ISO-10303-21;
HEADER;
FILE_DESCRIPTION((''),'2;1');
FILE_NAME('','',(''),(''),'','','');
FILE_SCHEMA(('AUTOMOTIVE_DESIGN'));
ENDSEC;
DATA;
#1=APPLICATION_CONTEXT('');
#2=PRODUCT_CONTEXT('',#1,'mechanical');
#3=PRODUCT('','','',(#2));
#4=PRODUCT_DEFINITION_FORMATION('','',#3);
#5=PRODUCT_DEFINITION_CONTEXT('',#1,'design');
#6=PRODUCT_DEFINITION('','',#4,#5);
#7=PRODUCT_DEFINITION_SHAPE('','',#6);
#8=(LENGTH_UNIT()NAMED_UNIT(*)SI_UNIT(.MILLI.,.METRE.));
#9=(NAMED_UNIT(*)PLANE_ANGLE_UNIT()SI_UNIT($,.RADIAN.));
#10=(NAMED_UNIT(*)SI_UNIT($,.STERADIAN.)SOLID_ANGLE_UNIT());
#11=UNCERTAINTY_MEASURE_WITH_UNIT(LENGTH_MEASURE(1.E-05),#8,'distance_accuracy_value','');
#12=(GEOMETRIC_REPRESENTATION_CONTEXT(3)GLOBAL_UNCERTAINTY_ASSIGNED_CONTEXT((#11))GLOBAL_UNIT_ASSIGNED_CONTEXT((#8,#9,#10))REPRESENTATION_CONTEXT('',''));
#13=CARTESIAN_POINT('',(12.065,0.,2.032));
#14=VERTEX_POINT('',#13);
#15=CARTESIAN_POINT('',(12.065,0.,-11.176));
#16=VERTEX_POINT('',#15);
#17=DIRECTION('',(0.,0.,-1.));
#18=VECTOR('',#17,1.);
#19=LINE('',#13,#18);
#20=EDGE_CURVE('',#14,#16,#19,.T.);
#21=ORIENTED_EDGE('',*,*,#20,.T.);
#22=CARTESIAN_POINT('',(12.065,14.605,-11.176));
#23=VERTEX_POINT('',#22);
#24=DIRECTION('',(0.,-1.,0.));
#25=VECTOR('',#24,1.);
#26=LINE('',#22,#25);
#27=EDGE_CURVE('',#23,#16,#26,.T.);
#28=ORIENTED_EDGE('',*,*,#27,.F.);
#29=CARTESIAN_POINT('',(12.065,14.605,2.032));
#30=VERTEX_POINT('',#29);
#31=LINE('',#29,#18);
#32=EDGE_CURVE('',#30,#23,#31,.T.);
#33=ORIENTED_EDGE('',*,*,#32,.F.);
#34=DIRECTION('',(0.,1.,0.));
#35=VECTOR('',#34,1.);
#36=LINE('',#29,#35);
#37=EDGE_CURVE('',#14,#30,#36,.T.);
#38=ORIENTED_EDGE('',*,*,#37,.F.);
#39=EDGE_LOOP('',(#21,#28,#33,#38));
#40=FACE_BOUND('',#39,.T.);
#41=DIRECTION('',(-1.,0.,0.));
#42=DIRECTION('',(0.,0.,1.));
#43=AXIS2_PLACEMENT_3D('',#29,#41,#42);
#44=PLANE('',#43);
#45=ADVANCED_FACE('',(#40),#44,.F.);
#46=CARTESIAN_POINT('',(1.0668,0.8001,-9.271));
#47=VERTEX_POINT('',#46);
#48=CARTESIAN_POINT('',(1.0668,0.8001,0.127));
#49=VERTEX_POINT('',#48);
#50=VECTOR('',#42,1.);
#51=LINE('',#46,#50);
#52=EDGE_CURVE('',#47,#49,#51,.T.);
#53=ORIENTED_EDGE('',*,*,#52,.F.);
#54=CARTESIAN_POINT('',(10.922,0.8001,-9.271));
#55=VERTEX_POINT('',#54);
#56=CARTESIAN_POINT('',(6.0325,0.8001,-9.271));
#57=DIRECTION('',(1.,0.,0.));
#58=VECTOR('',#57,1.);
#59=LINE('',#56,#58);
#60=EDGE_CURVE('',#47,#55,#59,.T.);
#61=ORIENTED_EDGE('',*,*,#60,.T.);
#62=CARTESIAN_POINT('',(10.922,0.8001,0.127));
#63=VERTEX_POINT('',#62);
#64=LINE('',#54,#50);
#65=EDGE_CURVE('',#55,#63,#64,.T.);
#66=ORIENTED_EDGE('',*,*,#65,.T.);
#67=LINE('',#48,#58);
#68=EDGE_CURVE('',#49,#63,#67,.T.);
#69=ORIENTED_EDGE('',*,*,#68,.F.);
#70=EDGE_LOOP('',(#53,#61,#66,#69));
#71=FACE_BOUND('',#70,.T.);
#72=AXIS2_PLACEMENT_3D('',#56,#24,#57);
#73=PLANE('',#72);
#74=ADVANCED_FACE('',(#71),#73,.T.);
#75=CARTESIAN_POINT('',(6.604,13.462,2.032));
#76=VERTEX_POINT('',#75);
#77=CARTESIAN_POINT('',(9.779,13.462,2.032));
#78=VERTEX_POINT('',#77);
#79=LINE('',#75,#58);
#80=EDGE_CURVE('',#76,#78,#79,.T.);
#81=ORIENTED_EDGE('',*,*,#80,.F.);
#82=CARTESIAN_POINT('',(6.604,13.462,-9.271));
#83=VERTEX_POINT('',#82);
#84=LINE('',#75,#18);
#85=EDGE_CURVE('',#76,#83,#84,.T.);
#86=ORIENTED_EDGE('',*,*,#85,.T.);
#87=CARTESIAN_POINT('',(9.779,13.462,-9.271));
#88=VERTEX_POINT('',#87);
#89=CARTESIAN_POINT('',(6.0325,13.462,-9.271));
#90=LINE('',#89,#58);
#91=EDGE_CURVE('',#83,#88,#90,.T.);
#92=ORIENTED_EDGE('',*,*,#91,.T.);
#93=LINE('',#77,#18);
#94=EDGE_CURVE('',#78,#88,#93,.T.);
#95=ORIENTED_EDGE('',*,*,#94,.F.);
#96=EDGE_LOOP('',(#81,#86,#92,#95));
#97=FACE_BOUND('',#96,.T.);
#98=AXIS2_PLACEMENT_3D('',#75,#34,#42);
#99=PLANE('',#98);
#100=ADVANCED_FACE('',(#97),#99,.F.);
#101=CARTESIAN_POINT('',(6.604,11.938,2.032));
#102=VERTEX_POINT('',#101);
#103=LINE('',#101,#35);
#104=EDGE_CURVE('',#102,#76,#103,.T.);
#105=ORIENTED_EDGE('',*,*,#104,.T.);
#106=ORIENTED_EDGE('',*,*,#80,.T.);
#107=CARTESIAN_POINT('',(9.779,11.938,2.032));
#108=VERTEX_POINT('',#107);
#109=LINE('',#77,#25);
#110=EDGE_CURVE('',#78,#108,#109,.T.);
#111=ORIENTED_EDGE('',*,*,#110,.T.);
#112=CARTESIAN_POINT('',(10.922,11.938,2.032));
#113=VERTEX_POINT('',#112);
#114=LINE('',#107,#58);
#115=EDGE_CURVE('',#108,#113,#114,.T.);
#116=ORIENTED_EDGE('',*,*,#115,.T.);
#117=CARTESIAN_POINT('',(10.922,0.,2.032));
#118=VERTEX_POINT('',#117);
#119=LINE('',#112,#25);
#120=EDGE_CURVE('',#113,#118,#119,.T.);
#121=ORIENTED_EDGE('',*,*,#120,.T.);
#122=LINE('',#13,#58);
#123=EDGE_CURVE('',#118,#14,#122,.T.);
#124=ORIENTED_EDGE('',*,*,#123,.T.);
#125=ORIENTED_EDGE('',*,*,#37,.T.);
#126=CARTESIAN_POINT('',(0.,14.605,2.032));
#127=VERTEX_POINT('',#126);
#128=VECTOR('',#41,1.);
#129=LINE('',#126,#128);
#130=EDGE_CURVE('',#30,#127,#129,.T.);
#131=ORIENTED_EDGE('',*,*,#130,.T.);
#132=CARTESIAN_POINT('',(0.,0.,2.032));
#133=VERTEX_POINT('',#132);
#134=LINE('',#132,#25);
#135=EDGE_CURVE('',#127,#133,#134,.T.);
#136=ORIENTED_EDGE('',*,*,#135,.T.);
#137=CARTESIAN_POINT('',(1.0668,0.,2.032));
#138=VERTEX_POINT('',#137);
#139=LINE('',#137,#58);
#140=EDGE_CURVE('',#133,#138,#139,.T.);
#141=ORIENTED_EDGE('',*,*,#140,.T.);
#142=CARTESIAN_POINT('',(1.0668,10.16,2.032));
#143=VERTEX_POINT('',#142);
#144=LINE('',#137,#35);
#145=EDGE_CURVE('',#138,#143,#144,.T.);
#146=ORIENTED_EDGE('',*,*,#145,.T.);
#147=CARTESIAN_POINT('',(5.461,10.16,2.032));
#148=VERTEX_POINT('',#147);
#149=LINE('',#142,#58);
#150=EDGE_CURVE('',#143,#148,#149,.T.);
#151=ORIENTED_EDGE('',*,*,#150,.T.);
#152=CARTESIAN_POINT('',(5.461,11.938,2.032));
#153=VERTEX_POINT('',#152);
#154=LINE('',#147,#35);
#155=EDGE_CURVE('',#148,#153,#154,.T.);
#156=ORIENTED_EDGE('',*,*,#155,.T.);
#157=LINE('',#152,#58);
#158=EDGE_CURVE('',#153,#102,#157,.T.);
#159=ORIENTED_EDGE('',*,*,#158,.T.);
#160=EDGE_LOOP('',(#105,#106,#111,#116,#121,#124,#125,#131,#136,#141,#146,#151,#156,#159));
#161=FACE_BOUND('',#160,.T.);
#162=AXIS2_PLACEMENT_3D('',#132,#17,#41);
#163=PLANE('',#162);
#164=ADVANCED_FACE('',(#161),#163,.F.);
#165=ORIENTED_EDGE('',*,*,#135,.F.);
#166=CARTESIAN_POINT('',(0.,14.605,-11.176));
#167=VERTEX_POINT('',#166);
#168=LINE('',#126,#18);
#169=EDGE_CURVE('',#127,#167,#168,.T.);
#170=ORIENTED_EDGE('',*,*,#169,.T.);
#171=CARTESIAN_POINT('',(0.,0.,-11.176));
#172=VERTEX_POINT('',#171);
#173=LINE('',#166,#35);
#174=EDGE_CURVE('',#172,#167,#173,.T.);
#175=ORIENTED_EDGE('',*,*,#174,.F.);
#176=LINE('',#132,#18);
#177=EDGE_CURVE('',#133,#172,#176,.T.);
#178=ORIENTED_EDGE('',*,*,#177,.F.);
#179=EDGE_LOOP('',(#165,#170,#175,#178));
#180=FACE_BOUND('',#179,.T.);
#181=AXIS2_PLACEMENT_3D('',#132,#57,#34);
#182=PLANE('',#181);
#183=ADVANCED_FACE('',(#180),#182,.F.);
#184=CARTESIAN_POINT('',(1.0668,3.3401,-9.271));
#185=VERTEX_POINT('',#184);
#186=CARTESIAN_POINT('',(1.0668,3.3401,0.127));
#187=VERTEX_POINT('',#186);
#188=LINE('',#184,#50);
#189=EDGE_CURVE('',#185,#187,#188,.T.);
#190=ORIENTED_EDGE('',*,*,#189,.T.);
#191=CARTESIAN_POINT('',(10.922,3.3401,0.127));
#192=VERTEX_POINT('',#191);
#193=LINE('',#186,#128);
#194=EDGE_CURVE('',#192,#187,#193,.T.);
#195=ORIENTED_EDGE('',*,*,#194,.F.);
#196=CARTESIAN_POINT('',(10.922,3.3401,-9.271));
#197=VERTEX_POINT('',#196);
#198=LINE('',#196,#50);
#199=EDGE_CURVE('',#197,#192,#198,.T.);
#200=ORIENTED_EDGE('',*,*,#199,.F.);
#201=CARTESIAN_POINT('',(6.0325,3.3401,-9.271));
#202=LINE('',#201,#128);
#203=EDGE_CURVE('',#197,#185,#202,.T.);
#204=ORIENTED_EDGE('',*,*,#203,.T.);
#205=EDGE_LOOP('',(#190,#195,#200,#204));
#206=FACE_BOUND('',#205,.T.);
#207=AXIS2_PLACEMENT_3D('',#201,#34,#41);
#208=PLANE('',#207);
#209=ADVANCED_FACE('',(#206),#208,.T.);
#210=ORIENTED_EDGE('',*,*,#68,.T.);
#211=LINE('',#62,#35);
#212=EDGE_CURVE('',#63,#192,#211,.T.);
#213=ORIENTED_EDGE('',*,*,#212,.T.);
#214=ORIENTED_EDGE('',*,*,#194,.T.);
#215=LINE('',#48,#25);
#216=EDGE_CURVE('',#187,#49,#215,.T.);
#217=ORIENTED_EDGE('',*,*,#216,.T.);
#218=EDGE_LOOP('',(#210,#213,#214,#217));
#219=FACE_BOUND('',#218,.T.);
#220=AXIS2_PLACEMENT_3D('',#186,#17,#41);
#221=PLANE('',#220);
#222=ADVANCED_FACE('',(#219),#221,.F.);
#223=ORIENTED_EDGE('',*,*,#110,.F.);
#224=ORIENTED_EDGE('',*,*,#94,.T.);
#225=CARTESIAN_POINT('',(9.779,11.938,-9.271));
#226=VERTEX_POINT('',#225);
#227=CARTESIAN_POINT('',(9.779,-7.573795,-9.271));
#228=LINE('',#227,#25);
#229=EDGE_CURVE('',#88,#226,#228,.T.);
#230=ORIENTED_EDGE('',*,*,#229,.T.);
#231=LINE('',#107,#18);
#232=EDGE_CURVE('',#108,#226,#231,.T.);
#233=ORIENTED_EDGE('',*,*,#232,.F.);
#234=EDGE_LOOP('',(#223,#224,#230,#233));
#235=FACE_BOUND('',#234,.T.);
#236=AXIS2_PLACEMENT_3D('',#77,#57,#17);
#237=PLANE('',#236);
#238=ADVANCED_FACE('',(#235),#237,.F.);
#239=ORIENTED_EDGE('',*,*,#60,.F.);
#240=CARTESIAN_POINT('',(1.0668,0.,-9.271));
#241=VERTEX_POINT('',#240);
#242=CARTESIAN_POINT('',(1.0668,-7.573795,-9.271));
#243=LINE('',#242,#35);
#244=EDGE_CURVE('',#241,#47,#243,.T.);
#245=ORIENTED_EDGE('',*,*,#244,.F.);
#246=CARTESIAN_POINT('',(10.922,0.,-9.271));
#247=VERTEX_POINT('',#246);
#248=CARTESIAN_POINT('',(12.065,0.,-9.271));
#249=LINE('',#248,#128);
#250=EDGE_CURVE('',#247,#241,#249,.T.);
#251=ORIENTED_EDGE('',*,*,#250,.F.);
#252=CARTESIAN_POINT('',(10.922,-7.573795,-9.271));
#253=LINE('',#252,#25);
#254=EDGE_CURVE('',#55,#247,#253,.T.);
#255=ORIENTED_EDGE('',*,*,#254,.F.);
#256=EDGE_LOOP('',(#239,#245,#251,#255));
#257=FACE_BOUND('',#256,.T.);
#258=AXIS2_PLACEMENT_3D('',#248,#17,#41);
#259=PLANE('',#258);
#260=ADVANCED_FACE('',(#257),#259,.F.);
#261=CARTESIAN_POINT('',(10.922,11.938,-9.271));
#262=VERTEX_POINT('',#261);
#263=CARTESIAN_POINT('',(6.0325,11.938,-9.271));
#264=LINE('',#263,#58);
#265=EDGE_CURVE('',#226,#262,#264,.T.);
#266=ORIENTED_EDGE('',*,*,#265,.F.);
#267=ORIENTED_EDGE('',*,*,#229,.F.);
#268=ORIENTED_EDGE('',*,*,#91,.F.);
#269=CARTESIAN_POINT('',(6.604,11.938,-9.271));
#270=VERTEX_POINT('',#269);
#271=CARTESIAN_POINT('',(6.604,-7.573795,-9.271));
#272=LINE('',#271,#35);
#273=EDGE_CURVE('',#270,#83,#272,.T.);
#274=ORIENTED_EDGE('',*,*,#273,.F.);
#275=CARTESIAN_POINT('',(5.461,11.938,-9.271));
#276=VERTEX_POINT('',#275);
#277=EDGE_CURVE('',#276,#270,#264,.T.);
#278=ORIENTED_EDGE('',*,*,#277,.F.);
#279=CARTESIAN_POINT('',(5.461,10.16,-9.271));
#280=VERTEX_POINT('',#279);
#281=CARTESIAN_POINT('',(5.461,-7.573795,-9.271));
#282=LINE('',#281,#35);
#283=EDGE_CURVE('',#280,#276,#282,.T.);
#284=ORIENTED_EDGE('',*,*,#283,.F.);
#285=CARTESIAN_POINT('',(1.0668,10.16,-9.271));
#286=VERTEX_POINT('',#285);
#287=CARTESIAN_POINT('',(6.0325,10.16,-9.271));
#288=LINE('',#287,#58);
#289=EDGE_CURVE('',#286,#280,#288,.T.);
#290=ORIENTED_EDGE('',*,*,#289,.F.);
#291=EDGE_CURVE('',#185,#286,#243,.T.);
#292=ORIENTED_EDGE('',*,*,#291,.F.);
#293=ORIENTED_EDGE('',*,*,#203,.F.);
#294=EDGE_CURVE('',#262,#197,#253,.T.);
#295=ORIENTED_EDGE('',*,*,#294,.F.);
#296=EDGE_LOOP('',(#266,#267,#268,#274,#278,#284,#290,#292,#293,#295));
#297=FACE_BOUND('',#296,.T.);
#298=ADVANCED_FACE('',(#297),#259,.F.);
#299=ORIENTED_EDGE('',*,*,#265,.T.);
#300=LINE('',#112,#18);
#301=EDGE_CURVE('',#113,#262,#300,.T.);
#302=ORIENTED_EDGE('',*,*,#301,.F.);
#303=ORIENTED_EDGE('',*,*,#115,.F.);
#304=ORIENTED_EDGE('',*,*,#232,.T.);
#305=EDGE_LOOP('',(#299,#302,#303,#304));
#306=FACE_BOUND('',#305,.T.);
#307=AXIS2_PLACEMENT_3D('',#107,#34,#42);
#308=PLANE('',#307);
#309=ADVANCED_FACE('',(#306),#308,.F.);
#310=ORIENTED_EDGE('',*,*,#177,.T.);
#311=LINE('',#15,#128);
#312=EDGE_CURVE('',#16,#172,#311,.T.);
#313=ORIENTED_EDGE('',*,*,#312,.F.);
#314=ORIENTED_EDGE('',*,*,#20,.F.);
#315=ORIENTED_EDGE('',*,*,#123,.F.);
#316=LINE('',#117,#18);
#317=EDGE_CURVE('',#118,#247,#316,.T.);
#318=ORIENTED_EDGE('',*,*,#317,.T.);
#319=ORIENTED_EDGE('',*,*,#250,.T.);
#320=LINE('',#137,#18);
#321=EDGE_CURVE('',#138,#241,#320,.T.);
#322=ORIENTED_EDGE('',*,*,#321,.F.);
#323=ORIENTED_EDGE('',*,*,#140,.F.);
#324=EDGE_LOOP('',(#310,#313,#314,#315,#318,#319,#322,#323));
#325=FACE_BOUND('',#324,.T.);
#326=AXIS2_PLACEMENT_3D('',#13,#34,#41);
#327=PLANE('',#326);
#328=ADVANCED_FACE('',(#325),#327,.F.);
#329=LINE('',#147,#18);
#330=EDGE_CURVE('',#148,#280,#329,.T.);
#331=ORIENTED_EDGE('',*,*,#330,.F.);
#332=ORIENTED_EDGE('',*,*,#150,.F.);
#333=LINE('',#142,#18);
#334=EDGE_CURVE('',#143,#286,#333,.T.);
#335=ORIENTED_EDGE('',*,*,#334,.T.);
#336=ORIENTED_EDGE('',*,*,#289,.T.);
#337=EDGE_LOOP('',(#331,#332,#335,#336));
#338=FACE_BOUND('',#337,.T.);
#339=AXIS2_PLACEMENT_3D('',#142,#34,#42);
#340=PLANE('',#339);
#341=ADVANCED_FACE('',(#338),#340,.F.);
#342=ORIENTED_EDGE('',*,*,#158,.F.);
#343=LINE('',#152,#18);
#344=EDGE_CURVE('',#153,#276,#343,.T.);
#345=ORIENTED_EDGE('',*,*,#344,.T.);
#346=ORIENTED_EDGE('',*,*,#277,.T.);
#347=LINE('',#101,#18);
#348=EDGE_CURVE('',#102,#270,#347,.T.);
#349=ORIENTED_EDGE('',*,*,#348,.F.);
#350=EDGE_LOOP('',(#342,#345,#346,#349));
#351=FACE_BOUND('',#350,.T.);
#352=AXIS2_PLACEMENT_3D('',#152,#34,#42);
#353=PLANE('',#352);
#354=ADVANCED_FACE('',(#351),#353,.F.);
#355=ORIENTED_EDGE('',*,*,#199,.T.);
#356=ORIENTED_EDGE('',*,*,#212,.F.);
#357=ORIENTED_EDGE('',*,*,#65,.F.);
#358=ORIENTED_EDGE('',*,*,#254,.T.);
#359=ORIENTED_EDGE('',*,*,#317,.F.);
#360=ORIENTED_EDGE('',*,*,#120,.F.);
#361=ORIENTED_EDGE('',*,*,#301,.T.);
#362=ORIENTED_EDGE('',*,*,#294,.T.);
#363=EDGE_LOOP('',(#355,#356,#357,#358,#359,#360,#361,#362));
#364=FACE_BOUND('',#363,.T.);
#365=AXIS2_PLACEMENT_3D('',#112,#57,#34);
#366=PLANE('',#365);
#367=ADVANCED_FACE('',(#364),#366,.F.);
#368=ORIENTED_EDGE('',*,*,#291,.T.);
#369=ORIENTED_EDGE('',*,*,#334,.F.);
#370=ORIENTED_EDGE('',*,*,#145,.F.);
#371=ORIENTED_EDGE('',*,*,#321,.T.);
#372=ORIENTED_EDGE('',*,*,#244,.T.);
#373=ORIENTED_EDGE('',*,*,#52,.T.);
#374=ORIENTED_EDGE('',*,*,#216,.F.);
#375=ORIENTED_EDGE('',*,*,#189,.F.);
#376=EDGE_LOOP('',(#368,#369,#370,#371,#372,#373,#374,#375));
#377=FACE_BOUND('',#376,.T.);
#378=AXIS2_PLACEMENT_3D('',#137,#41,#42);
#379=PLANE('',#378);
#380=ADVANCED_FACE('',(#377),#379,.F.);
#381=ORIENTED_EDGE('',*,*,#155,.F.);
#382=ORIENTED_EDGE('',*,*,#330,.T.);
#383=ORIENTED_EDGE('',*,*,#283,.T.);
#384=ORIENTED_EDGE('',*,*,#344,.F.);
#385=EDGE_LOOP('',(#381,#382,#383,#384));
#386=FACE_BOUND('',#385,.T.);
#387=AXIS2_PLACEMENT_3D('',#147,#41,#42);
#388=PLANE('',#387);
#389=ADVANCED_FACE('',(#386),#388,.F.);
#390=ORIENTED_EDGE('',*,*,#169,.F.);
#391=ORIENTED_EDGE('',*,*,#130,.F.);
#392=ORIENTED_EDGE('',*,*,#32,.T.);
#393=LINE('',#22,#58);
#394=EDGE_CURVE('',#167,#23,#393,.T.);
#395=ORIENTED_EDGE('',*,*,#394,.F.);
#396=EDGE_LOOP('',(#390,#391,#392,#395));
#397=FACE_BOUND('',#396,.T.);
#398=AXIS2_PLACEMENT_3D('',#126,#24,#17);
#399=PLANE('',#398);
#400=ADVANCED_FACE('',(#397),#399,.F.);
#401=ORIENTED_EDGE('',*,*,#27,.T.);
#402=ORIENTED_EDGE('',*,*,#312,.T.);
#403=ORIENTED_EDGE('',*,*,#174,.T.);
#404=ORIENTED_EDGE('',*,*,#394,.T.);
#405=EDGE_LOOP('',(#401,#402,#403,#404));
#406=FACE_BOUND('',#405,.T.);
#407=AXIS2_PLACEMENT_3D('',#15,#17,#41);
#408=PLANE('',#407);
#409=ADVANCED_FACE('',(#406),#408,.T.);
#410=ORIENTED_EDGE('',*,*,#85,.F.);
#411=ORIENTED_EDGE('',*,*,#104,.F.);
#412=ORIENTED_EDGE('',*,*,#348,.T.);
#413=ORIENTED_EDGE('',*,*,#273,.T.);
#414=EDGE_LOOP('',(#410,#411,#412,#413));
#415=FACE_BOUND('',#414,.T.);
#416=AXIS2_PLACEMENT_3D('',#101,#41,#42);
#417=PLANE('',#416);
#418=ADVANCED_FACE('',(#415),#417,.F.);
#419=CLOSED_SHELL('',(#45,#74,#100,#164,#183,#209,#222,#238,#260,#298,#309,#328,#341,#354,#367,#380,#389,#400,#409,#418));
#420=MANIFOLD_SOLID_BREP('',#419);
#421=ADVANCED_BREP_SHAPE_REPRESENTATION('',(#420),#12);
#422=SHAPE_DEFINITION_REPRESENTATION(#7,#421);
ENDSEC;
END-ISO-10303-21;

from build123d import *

# Parameters (mm, degrees)
EXTRUDE1_DEPTH = 2.032
SKETCH2_W      = 9.8552
SKETCH2_H      = 2.54
EXTRUDE3_DEPTH = 11.303
SKETCH3_W      = 9.8552
SKETCH3_H      = 2.54
EXTRUDE4_DEPTH = 1.905
SKETCH4_W      = 12.065
SKETCH4_H      = 14.605
EXTRUDE5_DEPTH = 1.905


with BuildPart() as part:
    # Sketch1 → Extrude1 (new body)
    with BuildSketch(Plane.XY):
        Polygon((0, 0), (0, 14.605), (12.065, 14.605), (12.065, 0), (10.922, 0), (10.922, 11.938), (9.779, 11.938), (9.779, 13.462), (6.604, 13.462), (6.604, 11.938), (5.461, 11.938), (5.461, 10.16), (1.0668, 10.16), (1.0668, 0), align=None)
    extrude(amount=EXTRUDE1_DEPTH)

    # Sketch2 → Extrude3 (add)
    with BuildSketch(Plane.XY.offset(2.032)):
        Polygon((0, 14.605), (0, 0), (1.0668, 0), (1.0668, 10.16), (5.461, 10.16), (5.461, 11.938), (6.604, 11.938), (6.604, 13.462), (9.779, 13.462), (9.779, 11.938), (10.922, 11.938), (10.922, 0), (12.065, 0), (12.065, 14.605), align=None)
        with Locations((5.9944, 2.0701)):
            Rectangle(SKETCH2_W, SKETCH2_H)
    extrude(amount=-EXTRUDE3_DEPTH)

    # Sketch3 → Extrude4 (cut)
    with BuildSketch(Plane.XY.offset(2.032)):
        with Locations((5.9944, 2.0701)):
            Rectangle(SKETCH3_W, SKETCH3_H)
    extrude(amount=-EXTRUDE4_DEPTH, mode=Mode.SUBTRACT)

    # Sketch4 → Extrude5 (add)
    with BuildSketch(Plane(origin=(0, 0, -9.271), x_dir=(-1, 0, 0), z_dir=(0, 0, -1))):
        with Locations((-6.0325, 7.3025)):
            Rectangle(SKETCH4_W, SKETCH4_H)
    extrude(amount=EXTRUDE5_DEPTH)


solid = part.part
